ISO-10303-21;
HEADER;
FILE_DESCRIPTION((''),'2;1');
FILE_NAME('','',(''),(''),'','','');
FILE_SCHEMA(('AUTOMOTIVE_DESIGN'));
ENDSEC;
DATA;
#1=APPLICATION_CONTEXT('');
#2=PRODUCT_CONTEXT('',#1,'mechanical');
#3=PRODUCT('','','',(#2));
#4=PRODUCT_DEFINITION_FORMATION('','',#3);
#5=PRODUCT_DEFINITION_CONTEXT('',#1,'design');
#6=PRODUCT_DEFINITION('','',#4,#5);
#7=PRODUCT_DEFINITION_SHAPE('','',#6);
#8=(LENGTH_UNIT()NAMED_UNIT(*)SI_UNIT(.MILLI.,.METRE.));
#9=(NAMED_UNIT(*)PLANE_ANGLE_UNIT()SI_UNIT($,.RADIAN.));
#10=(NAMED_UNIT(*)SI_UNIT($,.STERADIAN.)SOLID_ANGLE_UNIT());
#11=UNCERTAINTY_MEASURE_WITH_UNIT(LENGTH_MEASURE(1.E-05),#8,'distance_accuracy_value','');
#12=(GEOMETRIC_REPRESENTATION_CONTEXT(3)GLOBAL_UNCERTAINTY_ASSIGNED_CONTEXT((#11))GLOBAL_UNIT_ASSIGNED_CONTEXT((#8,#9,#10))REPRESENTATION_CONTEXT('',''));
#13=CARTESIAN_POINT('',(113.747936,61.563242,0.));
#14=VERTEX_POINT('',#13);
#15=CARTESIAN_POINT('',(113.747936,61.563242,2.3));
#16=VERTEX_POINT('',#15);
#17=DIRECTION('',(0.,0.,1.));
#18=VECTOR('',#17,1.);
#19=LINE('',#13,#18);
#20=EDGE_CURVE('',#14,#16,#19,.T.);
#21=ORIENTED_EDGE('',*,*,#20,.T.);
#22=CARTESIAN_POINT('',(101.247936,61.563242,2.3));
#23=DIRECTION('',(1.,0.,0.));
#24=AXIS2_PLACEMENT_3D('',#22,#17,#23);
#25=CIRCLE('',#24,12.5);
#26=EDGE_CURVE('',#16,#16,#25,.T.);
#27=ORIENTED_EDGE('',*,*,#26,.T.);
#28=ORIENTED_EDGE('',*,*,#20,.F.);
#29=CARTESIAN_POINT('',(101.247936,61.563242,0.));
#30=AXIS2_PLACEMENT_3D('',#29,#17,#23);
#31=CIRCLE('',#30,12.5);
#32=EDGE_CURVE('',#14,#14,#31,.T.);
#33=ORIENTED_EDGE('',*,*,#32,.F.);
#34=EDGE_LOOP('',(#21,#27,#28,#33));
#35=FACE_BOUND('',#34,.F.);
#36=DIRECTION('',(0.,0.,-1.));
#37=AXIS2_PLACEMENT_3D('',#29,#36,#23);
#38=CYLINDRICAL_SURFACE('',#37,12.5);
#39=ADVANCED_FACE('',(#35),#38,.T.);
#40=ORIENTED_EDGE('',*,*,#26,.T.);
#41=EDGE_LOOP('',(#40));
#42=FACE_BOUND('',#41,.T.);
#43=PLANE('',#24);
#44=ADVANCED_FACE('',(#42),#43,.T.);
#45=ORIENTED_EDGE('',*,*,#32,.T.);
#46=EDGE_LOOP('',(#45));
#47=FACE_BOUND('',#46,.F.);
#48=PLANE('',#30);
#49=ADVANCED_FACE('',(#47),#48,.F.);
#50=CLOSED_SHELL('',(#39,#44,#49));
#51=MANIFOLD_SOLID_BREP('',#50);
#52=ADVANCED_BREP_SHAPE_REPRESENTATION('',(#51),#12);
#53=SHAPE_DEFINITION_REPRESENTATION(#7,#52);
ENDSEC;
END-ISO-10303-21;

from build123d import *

# Parameters (mm, degrees)
SKETCH_1_R      = 12.5
EXTRUDE_1_DEPTH = 2.3


with BuildPart() as part:
    # 草图1 → 凸台-拉伸1 (new body)
    with BuildSketch(Plane.XY):
        with Locations((101.247935776, 61.563241835)):
            Circle(SKETCH_1_R)
    extrude(amount=EXTRUDE_1_DEPTH)


solid = part.part
